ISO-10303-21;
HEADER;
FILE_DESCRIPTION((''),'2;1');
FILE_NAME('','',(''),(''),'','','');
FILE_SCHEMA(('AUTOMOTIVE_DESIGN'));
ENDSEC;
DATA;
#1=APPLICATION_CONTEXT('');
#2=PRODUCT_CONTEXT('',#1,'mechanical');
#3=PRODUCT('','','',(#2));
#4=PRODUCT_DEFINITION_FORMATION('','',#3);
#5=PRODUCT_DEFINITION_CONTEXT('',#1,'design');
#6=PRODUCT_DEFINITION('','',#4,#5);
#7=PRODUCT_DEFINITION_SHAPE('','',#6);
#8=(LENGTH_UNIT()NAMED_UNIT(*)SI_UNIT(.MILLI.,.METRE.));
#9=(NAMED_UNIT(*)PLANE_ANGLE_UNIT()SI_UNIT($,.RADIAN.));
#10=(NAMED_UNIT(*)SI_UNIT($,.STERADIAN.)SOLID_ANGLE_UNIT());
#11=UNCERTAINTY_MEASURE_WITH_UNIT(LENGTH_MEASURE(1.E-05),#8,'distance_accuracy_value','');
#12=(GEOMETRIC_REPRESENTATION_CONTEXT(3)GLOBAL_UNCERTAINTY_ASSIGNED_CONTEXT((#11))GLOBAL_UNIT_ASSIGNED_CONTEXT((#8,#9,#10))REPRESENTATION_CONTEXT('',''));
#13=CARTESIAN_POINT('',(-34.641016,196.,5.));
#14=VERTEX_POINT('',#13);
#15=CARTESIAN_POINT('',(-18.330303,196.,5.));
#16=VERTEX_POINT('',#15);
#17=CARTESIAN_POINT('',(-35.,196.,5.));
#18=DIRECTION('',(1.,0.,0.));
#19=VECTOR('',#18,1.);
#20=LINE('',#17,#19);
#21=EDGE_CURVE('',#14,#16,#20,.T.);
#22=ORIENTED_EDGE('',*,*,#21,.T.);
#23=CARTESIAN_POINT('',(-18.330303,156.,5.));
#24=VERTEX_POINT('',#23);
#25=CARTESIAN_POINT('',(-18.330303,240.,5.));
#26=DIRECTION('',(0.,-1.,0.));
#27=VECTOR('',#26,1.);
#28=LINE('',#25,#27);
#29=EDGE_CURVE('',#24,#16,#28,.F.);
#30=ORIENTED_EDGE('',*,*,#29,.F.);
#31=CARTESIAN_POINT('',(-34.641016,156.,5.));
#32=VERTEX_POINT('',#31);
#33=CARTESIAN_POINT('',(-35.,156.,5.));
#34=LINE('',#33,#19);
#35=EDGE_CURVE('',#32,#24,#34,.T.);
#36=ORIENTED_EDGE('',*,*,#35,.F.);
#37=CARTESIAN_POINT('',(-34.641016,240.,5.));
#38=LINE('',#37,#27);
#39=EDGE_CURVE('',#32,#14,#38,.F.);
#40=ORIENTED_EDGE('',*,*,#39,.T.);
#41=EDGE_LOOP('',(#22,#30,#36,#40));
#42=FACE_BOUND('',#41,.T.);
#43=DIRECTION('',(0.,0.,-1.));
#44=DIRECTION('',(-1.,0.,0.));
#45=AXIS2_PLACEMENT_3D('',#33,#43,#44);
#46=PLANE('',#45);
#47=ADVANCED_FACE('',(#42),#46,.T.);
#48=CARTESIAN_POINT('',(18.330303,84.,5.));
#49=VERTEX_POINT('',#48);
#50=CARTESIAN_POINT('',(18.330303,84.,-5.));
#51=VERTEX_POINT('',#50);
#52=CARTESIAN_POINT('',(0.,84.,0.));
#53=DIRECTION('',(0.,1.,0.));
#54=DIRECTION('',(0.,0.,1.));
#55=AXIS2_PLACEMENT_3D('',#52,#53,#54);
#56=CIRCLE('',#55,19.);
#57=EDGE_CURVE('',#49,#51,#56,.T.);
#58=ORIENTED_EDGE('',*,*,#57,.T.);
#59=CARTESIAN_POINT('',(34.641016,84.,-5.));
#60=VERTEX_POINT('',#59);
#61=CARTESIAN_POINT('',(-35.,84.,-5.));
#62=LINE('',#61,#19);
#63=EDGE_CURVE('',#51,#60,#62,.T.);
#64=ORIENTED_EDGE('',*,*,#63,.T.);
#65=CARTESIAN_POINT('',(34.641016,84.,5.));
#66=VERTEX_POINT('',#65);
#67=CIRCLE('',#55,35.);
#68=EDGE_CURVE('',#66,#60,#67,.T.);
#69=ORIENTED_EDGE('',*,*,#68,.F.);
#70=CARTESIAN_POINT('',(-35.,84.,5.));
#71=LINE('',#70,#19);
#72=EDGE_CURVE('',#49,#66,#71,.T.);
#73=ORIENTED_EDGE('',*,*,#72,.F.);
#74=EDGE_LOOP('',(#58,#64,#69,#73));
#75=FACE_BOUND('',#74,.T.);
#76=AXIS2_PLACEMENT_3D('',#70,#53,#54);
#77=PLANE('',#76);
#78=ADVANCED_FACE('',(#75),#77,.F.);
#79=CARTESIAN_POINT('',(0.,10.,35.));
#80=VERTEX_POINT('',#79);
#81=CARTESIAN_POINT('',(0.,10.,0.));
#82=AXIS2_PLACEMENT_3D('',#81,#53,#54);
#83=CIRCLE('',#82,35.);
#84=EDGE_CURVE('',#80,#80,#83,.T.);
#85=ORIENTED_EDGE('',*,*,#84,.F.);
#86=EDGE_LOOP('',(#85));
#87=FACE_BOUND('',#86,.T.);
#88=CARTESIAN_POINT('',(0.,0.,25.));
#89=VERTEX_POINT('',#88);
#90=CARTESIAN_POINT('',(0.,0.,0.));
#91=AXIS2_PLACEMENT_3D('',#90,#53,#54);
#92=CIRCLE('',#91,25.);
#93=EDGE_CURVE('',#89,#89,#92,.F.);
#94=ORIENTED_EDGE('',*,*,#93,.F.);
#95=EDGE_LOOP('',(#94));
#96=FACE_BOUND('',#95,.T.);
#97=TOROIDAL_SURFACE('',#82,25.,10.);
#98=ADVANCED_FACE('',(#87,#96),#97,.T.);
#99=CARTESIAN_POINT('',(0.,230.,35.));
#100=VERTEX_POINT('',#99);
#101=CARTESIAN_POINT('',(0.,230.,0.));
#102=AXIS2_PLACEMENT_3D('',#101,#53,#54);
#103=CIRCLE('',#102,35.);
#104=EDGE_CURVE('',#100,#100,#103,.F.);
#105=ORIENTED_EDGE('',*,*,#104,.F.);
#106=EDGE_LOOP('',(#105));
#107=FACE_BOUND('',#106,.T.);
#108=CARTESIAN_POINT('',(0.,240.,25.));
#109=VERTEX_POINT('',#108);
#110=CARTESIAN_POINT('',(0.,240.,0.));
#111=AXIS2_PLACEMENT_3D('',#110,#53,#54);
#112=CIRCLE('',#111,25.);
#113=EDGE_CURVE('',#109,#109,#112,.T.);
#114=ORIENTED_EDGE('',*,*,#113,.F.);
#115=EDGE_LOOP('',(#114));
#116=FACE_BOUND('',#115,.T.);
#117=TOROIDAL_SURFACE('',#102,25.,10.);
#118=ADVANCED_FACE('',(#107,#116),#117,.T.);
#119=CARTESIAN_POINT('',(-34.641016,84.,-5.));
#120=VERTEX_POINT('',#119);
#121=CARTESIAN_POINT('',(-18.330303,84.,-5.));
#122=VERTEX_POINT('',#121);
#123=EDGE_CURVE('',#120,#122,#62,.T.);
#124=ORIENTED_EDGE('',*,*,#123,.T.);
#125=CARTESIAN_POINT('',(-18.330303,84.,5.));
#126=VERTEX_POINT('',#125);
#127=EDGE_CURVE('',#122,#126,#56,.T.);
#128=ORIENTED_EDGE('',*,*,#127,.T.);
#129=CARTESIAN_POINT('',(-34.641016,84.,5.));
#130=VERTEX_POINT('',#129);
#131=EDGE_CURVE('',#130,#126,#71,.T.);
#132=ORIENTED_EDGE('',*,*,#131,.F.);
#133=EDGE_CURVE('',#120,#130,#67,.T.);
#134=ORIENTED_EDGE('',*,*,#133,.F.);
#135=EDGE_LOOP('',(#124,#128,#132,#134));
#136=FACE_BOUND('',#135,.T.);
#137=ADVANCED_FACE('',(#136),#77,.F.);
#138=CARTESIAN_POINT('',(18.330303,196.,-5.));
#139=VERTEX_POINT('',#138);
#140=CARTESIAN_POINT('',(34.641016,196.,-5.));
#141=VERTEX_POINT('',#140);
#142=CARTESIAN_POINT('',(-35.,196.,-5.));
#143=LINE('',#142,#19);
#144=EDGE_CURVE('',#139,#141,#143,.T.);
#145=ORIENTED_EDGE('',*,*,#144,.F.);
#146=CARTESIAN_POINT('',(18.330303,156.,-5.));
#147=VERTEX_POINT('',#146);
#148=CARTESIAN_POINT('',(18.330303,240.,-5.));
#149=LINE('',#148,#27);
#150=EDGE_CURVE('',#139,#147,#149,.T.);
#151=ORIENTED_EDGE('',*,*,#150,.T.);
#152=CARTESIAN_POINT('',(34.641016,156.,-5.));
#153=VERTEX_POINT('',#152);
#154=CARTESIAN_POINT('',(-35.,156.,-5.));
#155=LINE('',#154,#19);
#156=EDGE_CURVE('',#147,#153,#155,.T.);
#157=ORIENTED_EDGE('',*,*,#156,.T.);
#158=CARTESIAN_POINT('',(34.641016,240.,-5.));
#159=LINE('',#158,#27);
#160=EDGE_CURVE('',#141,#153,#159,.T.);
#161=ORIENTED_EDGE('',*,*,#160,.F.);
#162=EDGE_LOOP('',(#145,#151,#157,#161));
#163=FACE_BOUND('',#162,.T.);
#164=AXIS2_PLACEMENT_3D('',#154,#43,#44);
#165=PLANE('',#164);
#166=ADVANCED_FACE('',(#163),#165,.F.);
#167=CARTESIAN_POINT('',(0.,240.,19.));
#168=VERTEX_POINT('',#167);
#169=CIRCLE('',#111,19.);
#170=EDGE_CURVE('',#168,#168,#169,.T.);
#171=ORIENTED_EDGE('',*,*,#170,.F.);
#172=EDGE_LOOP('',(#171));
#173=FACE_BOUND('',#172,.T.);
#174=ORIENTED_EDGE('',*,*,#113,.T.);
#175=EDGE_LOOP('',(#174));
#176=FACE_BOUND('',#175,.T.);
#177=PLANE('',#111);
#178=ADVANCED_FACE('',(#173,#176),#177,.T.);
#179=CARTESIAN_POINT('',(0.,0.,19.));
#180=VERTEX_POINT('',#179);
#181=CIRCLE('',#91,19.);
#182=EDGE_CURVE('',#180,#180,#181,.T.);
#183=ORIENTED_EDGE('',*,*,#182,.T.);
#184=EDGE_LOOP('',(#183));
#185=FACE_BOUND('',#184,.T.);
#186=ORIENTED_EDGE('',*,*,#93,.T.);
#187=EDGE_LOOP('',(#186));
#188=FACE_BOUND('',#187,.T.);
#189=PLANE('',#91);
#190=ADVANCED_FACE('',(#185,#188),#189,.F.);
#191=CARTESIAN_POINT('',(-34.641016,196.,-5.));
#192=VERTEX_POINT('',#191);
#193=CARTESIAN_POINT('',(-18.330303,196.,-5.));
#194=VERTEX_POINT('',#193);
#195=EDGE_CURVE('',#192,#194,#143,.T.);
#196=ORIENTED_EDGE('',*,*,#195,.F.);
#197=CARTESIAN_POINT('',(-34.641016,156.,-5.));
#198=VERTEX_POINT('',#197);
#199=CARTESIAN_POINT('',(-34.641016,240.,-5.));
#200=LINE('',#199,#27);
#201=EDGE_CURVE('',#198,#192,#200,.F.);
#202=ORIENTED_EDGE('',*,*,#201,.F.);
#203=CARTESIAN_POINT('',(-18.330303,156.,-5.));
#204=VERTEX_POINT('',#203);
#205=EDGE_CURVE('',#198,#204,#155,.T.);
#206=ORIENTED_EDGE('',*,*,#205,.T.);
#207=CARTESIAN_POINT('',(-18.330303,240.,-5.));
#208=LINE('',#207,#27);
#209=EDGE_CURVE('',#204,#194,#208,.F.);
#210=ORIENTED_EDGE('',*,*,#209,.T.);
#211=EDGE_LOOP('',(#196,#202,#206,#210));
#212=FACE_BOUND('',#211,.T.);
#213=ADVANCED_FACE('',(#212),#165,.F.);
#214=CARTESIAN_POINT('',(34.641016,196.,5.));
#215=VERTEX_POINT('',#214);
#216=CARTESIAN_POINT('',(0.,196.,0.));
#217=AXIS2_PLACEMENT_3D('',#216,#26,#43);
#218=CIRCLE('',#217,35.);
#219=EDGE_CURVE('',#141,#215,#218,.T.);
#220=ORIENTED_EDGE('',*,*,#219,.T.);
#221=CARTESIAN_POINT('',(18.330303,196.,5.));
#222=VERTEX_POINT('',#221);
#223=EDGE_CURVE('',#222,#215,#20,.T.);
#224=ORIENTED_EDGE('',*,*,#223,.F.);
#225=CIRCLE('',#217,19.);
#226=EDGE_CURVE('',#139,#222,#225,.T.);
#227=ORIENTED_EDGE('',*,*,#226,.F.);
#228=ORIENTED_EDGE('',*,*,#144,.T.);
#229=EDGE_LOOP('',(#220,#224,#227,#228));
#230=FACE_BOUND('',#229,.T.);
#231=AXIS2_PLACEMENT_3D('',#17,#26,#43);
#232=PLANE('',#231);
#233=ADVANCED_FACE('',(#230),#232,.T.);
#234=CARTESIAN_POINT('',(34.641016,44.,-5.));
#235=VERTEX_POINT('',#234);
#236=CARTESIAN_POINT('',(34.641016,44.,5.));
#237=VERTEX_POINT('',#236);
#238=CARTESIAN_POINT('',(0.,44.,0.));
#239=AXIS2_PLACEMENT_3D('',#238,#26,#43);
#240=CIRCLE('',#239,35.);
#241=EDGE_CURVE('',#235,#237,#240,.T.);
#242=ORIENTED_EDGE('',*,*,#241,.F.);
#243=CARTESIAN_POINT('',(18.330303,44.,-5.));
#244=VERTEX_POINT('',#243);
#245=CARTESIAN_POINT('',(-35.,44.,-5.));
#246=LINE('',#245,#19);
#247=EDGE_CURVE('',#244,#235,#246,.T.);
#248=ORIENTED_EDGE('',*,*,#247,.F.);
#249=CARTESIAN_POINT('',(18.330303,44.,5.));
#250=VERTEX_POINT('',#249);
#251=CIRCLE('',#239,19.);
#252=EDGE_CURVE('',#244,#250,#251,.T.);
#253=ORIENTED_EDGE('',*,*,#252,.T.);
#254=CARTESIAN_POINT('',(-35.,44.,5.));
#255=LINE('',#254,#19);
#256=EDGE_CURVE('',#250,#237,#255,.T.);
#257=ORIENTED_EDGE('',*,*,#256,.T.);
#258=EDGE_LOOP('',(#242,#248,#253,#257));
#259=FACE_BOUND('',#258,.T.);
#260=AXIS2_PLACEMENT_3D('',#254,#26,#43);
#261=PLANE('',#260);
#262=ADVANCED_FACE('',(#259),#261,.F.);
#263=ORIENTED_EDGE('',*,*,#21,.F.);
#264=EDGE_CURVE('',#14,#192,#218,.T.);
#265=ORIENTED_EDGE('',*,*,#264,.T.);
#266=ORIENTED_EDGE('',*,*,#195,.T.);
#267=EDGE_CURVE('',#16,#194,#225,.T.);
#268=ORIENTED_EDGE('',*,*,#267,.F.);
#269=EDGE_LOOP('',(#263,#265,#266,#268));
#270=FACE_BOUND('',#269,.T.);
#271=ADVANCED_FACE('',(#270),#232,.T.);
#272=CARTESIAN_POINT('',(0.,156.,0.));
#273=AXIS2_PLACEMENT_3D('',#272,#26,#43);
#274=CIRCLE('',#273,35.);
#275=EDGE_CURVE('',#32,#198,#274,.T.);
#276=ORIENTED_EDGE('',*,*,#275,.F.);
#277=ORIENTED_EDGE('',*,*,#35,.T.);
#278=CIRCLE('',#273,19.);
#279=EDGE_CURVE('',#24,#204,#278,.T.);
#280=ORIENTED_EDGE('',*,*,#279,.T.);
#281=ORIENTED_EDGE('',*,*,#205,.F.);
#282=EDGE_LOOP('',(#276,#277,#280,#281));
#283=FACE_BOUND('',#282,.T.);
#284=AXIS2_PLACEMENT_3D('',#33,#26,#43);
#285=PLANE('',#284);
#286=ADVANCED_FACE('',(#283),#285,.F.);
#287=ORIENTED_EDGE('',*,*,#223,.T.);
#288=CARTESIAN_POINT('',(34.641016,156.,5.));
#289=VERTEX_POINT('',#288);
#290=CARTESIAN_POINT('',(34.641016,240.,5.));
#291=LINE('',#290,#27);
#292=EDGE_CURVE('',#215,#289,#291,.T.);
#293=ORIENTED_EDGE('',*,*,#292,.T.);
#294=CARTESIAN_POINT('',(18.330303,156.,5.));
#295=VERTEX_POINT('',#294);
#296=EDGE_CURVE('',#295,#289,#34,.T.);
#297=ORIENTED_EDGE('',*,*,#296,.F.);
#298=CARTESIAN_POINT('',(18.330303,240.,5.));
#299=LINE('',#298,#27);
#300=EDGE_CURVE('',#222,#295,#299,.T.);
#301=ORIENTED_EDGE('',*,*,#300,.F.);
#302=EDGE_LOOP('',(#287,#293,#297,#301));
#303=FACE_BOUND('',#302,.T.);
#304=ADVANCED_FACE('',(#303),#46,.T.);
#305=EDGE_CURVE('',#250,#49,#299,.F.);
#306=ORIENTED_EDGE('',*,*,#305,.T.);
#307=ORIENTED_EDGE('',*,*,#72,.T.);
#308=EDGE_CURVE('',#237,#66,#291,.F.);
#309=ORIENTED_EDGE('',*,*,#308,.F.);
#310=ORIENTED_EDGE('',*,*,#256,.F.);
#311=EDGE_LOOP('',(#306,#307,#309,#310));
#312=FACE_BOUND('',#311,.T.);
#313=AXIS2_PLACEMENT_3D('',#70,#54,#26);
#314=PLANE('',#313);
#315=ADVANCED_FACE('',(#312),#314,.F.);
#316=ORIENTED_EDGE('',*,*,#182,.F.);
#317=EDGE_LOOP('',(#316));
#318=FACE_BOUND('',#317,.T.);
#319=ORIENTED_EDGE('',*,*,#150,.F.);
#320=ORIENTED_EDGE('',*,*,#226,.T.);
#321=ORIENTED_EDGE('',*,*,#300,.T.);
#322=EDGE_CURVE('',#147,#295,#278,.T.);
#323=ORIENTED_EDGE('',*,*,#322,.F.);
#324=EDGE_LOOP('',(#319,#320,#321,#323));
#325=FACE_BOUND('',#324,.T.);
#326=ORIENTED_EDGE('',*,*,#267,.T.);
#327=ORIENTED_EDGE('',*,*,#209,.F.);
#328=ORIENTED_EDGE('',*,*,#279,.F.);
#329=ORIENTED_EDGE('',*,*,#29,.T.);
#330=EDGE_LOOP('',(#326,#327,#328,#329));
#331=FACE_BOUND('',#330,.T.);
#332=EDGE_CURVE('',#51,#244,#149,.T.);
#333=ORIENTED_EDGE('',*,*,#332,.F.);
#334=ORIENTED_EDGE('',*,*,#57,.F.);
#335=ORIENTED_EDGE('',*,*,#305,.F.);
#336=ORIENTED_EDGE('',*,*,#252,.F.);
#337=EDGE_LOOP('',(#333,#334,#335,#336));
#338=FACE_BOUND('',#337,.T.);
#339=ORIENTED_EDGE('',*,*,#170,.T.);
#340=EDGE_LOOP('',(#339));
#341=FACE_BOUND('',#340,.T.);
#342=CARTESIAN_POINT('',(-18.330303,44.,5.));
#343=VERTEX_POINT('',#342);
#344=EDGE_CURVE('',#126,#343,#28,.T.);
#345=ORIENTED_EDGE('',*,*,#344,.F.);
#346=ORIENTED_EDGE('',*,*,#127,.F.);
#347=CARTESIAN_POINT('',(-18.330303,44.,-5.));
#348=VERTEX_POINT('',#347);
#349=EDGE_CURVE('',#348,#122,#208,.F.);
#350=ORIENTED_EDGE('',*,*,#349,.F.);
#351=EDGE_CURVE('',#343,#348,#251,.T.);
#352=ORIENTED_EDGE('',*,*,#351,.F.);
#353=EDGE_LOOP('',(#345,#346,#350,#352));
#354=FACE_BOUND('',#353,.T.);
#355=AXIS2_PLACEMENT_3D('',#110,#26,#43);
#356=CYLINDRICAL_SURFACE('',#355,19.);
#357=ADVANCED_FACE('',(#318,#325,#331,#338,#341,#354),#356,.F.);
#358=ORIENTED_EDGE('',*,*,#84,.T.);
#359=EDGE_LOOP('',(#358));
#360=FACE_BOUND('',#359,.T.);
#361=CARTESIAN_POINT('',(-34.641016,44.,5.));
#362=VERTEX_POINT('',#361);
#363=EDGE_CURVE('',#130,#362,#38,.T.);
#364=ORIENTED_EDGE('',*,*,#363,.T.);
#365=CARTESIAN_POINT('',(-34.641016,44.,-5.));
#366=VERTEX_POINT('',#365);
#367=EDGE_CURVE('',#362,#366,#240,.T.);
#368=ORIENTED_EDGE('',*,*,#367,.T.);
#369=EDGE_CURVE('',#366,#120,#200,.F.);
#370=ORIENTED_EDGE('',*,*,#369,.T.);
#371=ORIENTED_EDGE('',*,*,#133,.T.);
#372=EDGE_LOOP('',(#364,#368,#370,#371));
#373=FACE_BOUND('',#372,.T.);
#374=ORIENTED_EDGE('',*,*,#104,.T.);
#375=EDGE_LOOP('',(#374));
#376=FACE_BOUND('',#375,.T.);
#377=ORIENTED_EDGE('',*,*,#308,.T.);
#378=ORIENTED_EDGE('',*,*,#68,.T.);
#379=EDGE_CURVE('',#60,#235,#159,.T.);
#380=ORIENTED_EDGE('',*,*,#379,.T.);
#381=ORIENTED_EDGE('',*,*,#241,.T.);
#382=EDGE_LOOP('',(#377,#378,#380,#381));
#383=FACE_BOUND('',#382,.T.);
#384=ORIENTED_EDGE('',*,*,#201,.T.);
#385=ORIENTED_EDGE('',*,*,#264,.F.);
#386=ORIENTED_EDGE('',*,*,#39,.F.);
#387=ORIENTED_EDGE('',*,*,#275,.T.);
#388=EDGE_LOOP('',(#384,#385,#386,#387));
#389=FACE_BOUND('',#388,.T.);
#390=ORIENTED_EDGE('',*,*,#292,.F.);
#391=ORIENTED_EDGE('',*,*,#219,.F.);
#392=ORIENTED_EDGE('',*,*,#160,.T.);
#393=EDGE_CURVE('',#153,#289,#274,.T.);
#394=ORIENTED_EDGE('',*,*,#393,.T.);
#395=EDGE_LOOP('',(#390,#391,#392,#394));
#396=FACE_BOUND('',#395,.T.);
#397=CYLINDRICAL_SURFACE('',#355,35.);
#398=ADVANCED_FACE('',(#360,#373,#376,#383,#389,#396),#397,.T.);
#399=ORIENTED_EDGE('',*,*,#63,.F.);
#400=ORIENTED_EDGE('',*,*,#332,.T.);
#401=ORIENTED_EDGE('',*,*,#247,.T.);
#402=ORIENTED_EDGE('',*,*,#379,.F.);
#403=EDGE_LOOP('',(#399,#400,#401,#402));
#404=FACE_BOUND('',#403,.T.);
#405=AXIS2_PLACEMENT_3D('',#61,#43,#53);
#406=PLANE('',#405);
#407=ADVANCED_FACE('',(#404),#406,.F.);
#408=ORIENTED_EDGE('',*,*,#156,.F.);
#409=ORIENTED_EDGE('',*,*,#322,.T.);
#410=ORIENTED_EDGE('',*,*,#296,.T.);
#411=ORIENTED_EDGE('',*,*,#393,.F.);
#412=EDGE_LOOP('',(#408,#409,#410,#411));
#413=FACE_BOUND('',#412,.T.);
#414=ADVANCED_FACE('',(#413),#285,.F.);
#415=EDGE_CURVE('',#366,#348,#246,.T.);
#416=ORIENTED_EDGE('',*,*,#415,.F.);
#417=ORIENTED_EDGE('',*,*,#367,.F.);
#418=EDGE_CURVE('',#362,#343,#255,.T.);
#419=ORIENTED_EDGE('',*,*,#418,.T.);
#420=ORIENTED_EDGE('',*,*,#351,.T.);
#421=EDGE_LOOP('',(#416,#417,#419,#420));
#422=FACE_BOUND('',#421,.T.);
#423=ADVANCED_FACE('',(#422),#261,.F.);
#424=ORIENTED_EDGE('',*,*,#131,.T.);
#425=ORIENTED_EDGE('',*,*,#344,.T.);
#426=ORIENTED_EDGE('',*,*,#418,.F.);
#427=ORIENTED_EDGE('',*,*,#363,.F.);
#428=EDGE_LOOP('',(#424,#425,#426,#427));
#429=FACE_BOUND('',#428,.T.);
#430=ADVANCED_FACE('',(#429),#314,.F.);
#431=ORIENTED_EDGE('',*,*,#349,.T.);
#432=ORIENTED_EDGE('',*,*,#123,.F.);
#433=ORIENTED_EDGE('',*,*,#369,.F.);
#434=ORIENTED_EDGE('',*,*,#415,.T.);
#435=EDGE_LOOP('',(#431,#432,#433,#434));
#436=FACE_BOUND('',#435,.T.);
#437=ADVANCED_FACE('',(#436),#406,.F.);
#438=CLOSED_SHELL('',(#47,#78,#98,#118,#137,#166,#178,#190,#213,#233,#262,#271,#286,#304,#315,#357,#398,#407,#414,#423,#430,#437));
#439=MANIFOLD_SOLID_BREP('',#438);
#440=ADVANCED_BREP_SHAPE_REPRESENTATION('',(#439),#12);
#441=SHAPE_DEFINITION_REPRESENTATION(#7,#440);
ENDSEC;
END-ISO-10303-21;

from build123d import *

# Parameters (mm, degrees)
SKETCH3_R               = 35
SKETCH3_R_2             = 19
BOSS_EXTRUDE2_DEPTH     = 240
CUT_EXTRUDE2_DEPTH      = 246.051015097
CUT_EXTRUDE2_DEPTH_BACK = 246.051015097
SKETCH5_W               = 10
SKETCH5_H               = 40
CUT_EXTRUDE3_DEPTH      = 246.051015097
CUT_EXTRUDE3_DEPTH_BACK = 246.051015097
SKETCH6_W               = 10
SKETCH6_H               = 40
FILLET2_R               = 10
FILLET3_R               = 10


with BuildPart() as part:
    # Sketch3 → Boss-Extrude2 (new body)
    with BuildSketch(Plane(origin=(0, 0, 0), x_dir=(1, 0, 0), z_dir=(0, 1, 0))):
        with Locations(Location((0, 0, 0), (0, 0, 270))):
            Circle(SKETCH3_R)
        with Locations(Location((0, 0, 0), (0, 0, 270))):
            Circle(SKETCH3_R_2, mode=Mode.SUBTRACT)
    extrude(amount=BOSS_EXTRUDE2_DEPTH)

    # Sketch5 → Cut-Extrude2 (cut, two sides: drawn at the far end of the back side and taken through both)
    with BuildSketch(Plane(origin=(0, 0, 0), x_dir=(0, 0, -1), z_dir=(1, 0, 0)).offset(-CUT_EXTRUDE2_DEPTH_BACK)):
        with Locations((0, 176)):
            Rectangle(SKETCH5_W, SKETCH5_H)
    extrude(amount=CUT_EXTRUDE2_DEPTH + CUT_EXTRUDE2_DEPTH_BACK, mode=Mode.SUBTRACT)

    # Sketch6 → Cut-Extrude3 (cut, two sides: drawn at the far end of the back side and taken through both)
    with BuildSketch(Plane(origin=(0, 0, 0), x_dir=(0, 0, -1), z_dir=(1, 0, 0)).offset(-CUT_EXTRUDE3_DEPTH_BACK)):
        with Locations((0, 64)):
            Rectangle(SKETCH6_W, SKETCH6_H)
    extrude(amount=CUT_EXTRUDE3_DEPTH + CUT_EXTRUDE3_DEPTH_BACK, mode=Mode.SUBTRACT)

    # Fillet2
    fillet2_edges = [part.edges().sort_by_distance(p)[0] for p in [
        (0, 240, -35),
    ]]
    fillet(fillet2_edges, radius=FILLET2_R)

    # Fillet3
    fillet3_edges = [part.edges().sort_by_distance(p)[0] for p in [
        (0, 0, -35),
    ]]
    fillet(fillet3_edges, radius=FILLET3_R)


solid = part.part
